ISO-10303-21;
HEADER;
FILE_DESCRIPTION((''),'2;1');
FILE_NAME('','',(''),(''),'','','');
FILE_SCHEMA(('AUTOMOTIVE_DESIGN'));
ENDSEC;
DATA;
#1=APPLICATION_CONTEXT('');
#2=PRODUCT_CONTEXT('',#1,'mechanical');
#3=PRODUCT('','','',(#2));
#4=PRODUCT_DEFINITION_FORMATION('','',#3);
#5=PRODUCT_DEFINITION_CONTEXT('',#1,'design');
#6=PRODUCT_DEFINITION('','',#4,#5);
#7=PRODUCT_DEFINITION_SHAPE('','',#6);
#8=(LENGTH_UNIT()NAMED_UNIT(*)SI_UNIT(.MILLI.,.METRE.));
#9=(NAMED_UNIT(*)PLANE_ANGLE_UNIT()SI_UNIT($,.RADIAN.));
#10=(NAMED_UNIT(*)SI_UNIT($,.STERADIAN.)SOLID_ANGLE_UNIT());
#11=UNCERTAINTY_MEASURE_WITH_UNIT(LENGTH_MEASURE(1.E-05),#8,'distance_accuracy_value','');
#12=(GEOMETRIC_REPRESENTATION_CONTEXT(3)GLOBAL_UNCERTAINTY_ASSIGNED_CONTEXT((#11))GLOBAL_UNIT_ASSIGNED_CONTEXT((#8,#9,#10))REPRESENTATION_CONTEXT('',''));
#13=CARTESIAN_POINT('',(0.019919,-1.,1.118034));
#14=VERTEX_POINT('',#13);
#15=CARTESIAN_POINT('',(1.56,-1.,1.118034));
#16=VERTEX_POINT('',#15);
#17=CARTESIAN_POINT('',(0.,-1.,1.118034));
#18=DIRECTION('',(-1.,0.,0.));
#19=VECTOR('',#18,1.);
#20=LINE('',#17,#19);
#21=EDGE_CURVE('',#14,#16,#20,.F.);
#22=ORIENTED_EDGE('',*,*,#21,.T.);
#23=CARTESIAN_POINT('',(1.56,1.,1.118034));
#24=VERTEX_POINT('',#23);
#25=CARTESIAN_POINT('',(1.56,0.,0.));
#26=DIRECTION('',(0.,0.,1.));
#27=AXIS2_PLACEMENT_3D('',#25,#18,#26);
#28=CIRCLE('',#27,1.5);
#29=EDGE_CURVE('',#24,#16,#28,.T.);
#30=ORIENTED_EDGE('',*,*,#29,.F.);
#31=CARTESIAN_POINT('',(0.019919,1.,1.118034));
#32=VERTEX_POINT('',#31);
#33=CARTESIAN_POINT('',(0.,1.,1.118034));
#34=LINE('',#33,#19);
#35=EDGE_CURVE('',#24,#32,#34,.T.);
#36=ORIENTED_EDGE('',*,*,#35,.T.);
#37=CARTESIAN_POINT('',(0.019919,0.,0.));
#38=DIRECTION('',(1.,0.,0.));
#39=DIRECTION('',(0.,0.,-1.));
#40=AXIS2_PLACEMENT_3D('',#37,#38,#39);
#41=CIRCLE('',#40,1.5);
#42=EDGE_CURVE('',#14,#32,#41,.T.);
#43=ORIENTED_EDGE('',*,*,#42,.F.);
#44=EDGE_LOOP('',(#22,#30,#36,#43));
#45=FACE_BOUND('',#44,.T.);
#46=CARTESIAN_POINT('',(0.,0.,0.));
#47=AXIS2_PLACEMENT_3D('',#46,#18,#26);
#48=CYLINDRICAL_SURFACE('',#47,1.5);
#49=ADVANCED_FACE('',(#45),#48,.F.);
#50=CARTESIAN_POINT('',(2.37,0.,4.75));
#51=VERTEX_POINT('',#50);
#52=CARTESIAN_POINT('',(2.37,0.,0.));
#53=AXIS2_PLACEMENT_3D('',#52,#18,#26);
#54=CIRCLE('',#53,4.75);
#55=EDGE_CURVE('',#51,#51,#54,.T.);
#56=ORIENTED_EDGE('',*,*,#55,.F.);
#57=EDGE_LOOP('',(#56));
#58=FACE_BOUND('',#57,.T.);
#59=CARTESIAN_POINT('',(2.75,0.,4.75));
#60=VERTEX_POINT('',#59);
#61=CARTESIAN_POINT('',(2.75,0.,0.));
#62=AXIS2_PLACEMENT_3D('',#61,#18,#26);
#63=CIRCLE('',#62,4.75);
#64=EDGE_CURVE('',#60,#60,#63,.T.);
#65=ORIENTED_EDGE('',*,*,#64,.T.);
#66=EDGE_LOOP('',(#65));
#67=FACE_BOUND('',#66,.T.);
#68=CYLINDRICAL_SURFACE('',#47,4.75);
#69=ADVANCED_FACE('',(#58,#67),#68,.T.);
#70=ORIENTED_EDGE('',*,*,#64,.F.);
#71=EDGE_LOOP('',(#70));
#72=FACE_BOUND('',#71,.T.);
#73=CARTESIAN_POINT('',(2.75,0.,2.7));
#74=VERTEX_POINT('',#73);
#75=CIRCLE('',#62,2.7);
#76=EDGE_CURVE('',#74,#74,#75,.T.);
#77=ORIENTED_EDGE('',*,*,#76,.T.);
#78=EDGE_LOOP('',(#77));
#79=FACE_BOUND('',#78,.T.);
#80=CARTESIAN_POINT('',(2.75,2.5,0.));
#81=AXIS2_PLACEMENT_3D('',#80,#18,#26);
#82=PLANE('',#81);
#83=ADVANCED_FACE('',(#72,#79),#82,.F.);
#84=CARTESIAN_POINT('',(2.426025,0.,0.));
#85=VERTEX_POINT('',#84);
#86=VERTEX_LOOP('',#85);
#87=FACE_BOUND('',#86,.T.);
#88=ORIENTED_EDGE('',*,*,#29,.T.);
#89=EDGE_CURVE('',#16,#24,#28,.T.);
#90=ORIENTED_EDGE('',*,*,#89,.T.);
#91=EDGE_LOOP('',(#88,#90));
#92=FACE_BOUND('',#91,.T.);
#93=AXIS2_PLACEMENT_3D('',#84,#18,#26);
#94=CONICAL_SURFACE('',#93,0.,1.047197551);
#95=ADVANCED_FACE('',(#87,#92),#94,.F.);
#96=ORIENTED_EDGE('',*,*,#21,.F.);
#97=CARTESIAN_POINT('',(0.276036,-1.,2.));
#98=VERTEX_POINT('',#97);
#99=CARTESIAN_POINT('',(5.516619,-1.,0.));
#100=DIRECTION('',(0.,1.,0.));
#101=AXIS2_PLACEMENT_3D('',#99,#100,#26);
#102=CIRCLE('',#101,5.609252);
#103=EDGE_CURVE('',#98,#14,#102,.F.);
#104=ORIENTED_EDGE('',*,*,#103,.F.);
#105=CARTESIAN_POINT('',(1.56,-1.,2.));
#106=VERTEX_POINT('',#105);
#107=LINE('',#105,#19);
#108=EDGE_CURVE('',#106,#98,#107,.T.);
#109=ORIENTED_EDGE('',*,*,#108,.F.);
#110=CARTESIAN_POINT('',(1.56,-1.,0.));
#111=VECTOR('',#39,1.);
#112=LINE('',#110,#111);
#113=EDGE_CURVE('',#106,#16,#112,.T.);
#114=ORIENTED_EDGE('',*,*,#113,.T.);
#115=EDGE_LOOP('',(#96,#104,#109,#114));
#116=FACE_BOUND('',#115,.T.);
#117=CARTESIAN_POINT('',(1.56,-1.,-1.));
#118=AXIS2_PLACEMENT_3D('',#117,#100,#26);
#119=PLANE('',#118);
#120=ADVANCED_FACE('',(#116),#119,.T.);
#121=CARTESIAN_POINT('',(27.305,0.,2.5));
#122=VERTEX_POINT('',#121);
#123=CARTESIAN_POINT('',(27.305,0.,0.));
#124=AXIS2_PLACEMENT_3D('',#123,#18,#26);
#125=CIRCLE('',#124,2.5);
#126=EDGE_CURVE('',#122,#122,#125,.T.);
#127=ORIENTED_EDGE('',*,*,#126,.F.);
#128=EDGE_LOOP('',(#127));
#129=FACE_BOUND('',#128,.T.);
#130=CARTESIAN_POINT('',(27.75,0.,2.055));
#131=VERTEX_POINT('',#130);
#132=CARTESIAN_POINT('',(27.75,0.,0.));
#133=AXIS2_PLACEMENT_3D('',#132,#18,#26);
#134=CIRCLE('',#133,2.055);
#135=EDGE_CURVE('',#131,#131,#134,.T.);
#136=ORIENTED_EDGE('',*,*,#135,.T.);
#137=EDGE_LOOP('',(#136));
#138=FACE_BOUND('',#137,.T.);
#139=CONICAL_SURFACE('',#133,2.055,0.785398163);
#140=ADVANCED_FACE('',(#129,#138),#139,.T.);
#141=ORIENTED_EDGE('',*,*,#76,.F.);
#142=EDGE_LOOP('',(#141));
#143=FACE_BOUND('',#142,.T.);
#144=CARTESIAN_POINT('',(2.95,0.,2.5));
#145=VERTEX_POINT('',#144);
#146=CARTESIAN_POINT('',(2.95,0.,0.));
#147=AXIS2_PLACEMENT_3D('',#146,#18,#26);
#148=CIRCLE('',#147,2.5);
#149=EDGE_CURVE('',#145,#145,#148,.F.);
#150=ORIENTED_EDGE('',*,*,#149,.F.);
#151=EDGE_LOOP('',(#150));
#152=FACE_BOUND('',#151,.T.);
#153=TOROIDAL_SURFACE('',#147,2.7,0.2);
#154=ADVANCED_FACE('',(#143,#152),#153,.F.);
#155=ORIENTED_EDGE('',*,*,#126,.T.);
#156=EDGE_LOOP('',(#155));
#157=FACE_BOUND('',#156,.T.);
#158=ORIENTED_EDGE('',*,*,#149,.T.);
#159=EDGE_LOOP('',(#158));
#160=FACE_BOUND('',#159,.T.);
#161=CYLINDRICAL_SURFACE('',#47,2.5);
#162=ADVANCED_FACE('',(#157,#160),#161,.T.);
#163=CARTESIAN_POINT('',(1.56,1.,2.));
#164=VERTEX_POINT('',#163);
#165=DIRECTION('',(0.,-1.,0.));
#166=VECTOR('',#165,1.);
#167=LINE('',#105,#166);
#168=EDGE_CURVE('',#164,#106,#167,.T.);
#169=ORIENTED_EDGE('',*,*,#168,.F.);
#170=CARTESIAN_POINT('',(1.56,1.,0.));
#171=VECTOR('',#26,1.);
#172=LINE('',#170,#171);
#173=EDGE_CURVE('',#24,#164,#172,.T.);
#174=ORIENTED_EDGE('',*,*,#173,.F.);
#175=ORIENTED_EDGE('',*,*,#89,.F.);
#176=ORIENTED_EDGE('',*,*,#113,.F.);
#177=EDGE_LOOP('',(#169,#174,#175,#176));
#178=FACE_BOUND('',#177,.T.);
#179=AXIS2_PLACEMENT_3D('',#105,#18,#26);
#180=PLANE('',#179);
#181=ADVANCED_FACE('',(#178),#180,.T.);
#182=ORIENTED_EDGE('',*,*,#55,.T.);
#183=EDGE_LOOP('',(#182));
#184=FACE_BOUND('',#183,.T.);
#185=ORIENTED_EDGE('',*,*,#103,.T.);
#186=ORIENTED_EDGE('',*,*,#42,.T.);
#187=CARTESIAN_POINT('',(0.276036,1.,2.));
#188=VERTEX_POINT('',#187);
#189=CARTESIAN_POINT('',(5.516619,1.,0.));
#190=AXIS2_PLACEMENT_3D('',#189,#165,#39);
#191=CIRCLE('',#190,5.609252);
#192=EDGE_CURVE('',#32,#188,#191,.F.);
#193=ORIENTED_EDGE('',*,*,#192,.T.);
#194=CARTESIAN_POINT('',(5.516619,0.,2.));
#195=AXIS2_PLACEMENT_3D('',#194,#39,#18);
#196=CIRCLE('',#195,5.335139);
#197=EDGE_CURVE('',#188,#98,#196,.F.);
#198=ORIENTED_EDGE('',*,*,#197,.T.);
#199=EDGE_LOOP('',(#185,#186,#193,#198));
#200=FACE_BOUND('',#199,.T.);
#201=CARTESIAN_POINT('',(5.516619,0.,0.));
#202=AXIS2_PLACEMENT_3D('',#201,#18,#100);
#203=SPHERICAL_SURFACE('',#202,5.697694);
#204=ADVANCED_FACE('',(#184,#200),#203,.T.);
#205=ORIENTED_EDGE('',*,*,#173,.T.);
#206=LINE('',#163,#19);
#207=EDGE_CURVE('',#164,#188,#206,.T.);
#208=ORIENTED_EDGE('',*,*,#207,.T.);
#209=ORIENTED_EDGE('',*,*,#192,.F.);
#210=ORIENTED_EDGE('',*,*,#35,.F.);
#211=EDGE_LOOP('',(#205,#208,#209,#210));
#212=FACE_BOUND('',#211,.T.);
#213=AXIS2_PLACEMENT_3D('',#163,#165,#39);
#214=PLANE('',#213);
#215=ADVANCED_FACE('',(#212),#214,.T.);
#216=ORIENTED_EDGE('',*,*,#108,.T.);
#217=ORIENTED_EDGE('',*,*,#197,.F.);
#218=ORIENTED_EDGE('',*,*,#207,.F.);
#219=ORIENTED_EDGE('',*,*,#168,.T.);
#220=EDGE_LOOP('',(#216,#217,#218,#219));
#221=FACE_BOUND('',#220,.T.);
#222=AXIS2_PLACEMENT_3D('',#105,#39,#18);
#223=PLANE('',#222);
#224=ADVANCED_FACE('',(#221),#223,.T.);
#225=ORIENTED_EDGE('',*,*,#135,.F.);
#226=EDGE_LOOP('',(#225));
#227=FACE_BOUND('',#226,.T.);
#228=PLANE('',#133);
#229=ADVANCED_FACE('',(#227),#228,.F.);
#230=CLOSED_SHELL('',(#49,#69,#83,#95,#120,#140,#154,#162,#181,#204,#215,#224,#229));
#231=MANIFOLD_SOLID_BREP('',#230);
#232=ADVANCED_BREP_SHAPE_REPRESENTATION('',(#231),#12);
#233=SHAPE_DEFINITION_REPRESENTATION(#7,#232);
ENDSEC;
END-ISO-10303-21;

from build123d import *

# Parameters (mm, degrees)
FILLET1_R   = 0.2
HEX_2_DEPTH = 1.56


with BuildPart() as part:
    # BodySke → BaseBody (revolve)
    with BuildSketch(Plane.XY):
        with BuildLine():
            Line((27.75, 0), (27.75, 2.055))
            Line((27.75, 2.055), (27.305, 2.5))
            Line((27.305, 2.5), (2.75, 2.5))
            Line((2.75, 2.5), (2.75, 4.75))
            Line((2.75, 4.75), (2.37, 4.75))
            ThreePointArc((2.37, 4.75), (0.876917578, 3.307095591), (0, 1.425))
            Line((0, 1.425), (0, 0))
            Line((0, 0), (27.75, 0))
        make_face()
    revolve(axis=Axis((0, 0, 0), (1, 0, 0)))

    # Fillet1
    fillet1_edges = [part.edges().sort_by_distance(p)[0] for p in [
        (2.75, -2.5, 0),
    ]]
    fillet(fillet1_edges, radius=FILLET1_R)

    # Sketch2 → PreBroach (revolve, cut)
    with BuildSketch(Plane.XY):
        Polygon((0, 1.5), (1.56, 1.5), (2.426025404, 0), (0, 0), align=None)
    revolve(axis=Axis((0, 0, 0), (1, 0, 0)), mode=Mode.SUBTRACT)

    # Sketch3 → Hex 2 (cut)
    with BuildSketch(Plane(origin=(0, 0, 0), x_dir=(0, 0, -1), z_dir=(1, 0, 0))):
        Polygon((-2, -1), (-2, 1), (0, 1), (1, 1), (1, -1), (0, -1), align=None)
    extrude(amount=HEX_2_DEPTH, mode=Mode.SUBTRACT)


solid = part.part
